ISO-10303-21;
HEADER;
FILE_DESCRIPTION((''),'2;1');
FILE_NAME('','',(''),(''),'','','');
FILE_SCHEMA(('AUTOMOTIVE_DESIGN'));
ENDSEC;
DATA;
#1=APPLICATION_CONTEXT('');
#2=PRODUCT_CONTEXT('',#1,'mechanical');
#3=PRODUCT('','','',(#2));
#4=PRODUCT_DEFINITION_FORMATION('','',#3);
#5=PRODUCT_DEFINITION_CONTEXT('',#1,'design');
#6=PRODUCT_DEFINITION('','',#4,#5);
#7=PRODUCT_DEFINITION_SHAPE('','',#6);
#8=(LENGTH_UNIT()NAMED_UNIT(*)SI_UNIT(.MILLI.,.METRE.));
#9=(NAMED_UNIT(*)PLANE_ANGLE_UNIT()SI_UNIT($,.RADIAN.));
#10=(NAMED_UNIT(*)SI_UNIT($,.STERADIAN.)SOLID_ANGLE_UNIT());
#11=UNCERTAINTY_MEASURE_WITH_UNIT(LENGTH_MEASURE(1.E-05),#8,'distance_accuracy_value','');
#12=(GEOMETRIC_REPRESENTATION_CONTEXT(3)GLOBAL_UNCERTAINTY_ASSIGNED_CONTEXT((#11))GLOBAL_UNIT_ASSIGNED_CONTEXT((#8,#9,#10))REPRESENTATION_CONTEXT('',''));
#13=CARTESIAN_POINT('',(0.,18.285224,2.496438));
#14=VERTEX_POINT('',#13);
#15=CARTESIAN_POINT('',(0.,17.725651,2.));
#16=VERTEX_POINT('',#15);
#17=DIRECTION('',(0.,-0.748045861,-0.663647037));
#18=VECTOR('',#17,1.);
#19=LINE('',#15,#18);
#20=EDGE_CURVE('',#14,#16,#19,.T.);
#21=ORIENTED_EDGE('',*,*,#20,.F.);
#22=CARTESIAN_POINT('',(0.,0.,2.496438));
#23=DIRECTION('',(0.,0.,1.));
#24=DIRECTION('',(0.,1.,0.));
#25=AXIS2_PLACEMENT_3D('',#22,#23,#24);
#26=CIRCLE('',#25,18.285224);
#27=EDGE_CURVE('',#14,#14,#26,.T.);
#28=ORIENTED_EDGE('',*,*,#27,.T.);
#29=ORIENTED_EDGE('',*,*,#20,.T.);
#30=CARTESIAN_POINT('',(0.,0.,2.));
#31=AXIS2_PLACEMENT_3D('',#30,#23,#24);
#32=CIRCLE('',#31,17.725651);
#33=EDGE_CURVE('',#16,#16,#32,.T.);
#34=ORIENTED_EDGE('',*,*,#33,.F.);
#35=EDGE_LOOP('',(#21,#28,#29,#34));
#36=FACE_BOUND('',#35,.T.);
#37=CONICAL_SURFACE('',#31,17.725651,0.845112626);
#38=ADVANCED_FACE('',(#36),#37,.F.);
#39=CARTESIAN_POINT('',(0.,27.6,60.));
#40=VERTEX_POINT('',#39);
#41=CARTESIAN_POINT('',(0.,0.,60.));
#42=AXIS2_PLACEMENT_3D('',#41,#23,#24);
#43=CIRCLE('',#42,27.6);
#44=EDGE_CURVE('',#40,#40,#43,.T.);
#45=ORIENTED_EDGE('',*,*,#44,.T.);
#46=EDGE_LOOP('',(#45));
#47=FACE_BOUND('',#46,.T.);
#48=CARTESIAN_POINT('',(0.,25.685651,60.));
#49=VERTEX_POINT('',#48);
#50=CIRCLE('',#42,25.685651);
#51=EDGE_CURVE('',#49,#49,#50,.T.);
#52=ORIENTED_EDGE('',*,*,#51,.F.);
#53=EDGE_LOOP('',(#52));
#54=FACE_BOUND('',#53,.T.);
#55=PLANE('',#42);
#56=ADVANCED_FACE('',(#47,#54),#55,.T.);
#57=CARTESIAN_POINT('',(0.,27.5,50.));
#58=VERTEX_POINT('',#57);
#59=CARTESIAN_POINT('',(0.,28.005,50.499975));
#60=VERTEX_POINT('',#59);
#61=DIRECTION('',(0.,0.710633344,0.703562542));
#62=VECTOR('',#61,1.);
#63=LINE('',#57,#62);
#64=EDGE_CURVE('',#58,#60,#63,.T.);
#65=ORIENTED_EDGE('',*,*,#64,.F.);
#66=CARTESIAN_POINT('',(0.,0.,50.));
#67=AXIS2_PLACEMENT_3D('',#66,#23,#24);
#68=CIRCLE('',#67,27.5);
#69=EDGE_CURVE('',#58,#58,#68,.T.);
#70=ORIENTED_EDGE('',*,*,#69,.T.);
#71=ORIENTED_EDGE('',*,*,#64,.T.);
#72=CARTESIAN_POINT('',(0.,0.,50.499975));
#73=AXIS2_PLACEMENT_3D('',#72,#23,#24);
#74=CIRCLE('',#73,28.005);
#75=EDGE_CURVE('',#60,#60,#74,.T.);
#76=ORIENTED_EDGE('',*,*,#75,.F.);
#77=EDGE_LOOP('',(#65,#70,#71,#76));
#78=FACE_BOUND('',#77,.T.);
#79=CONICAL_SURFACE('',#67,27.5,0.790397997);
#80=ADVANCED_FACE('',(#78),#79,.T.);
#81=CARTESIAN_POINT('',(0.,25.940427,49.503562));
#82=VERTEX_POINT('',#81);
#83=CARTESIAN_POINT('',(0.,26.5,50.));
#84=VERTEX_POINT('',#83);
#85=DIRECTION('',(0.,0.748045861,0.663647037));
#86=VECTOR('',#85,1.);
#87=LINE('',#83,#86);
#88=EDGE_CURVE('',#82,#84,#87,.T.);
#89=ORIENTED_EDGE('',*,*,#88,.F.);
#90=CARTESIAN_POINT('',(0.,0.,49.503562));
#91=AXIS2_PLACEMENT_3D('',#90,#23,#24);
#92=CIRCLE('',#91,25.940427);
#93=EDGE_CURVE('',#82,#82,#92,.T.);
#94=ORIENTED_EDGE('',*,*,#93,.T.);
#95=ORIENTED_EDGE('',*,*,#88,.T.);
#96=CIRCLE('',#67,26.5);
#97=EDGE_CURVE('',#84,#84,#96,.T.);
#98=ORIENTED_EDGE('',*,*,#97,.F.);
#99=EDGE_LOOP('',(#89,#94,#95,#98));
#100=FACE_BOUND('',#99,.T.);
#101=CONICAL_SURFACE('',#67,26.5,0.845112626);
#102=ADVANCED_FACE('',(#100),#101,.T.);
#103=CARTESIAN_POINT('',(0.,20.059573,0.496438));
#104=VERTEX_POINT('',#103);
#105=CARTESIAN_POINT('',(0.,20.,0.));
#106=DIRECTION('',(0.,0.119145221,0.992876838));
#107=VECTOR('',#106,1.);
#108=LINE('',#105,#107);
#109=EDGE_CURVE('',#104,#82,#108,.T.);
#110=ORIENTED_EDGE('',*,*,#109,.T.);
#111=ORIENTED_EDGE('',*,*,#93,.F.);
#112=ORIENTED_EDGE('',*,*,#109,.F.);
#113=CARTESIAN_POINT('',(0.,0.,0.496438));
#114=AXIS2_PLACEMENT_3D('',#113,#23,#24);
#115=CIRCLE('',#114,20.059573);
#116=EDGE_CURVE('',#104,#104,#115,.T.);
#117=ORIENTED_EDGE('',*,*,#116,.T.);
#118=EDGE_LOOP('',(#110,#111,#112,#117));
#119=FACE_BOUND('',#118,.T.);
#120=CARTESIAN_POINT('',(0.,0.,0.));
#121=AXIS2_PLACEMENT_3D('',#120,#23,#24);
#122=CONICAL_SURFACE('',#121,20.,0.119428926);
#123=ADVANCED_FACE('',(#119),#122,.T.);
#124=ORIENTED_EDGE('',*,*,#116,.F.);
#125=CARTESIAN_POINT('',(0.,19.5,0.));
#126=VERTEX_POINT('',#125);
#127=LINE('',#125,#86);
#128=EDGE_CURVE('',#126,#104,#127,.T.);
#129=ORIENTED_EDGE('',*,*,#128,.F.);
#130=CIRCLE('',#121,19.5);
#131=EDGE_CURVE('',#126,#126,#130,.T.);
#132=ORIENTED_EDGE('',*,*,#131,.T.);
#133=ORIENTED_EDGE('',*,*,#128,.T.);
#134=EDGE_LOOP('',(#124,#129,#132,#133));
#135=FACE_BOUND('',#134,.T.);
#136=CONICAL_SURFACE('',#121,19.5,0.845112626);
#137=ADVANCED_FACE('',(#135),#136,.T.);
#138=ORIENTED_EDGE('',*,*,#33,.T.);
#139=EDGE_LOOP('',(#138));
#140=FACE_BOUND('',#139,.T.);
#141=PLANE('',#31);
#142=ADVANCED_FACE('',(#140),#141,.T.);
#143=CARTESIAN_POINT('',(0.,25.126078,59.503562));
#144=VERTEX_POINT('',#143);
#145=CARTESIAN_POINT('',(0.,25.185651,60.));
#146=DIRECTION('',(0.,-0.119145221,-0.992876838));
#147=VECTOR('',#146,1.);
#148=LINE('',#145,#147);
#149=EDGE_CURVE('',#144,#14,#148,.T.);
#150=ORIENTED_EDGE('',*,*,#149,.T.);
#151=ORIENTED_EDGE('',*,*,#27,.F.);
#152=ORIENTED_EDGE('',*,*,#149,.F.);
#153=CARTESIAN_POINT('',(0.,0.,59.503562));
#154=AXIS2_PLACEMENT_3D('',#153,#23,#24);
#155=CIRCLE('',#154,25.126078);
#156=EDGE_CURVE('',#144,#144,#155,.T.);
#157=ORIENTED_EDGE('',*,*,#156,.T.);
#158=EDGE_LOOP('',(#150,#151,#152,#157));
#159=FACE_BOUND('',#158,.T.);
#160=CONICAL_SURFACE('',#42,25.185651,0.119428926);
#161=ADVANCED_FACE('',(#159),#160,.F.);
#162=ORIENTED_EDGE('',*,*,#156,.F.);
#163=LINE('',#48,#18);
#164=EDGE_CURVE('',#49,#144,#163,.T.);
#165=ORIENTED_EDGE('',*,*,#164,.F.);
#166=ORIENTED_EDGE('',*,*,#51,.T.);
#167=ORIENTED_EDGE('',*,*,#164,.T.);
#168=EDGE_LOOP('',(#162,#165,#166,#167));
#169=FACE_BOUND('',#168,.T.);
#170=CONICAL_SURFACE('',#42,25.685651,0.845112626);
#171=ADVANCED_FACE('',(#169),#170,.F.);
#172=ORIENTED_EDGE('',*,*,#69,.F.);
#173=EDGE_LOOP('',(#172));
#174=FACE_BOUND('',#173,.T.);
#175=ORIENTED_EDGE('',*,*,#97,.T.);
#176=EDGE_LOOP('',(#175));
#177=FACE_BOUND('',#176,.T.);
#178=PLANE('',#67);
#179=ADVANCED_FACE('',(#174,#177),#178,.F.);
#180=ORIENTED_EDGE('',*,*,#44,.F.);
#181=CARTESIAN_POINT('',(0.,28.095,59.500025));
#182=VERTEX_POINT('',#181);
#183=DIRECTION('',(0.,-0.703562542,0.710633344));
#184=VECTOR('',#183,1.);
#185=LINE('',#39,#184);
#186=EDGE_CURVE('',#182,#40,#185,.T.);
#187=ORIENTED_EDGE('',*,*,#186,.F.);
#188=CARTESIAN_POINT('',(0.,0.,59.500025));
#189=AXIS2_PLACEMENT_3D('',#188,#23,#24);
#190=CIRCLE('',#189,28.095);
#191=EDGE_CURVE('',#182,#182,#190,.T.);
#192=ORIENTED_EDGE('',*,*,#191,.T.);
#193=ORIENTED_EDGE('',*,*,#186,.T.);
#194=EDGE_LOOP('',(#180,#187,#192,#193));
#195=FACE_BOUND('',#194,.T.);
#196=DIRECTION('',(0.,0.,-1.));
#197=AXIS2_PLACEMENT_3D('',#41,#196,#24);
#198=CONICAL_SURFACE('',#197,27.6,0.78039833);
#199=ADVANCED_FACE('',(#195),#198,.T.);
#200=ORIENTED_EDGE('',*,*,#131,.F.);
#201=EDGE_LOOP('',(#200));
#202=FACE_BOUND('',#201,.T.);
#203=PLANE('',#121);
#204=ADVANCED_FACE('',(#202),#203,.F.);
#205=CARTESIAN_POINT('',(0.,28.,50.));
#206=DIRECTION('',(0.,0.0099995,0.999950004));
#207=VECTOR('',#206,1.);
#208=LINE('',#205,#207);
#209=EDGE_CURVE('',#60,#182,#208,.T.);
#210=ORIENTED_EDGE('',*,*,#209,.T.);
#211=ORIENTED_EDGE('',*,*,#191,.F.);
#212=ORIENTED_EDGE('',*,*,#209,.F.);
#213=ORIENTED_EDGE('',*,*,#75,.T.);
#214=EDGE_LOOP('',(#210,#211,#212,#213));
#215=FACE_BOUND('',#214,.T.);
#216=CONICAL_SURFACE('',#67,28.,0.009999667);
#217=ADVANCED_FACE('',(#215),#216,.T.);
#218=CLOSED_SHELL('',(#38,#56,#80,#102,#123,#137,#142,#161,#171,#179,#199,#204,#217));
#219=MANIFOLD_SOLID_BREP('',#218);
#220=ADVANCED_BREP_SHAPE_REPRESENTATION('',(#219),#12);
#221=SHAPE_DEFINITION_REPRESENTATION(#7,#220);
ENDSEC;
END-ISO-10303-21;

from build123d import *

# Parameters (mm, degrees)
CHAMFER_SIZE = 0.5


with BuildPart() as part:
    # Sketch → Revolution (revolve)
    with BuildSketch(Plane.YZ):
        Polygon((0, 0), (20, 0), (26, 50), (28, 50), (28.1, 60), (25.185651, 60), (18.225651, 2), (0, 2), align=None)
    revolve(axis=Axis((0, 0, 0), (0, 0, 1)))

    # Chamfer
    chamfer_edges = [part.edges().sort_by_distance(p)[0] for p in [
        (0, -20, 0),
        (0, -28, 50),
        (0, -26, 50),
        (0, -28.1, 60),
        (0, -25.185651, 60),
        (0, -18.225651, 2),
    ]]
    chamfer(chamfer_edges, length=CHAMFER_SIZE)


solid = part.part
